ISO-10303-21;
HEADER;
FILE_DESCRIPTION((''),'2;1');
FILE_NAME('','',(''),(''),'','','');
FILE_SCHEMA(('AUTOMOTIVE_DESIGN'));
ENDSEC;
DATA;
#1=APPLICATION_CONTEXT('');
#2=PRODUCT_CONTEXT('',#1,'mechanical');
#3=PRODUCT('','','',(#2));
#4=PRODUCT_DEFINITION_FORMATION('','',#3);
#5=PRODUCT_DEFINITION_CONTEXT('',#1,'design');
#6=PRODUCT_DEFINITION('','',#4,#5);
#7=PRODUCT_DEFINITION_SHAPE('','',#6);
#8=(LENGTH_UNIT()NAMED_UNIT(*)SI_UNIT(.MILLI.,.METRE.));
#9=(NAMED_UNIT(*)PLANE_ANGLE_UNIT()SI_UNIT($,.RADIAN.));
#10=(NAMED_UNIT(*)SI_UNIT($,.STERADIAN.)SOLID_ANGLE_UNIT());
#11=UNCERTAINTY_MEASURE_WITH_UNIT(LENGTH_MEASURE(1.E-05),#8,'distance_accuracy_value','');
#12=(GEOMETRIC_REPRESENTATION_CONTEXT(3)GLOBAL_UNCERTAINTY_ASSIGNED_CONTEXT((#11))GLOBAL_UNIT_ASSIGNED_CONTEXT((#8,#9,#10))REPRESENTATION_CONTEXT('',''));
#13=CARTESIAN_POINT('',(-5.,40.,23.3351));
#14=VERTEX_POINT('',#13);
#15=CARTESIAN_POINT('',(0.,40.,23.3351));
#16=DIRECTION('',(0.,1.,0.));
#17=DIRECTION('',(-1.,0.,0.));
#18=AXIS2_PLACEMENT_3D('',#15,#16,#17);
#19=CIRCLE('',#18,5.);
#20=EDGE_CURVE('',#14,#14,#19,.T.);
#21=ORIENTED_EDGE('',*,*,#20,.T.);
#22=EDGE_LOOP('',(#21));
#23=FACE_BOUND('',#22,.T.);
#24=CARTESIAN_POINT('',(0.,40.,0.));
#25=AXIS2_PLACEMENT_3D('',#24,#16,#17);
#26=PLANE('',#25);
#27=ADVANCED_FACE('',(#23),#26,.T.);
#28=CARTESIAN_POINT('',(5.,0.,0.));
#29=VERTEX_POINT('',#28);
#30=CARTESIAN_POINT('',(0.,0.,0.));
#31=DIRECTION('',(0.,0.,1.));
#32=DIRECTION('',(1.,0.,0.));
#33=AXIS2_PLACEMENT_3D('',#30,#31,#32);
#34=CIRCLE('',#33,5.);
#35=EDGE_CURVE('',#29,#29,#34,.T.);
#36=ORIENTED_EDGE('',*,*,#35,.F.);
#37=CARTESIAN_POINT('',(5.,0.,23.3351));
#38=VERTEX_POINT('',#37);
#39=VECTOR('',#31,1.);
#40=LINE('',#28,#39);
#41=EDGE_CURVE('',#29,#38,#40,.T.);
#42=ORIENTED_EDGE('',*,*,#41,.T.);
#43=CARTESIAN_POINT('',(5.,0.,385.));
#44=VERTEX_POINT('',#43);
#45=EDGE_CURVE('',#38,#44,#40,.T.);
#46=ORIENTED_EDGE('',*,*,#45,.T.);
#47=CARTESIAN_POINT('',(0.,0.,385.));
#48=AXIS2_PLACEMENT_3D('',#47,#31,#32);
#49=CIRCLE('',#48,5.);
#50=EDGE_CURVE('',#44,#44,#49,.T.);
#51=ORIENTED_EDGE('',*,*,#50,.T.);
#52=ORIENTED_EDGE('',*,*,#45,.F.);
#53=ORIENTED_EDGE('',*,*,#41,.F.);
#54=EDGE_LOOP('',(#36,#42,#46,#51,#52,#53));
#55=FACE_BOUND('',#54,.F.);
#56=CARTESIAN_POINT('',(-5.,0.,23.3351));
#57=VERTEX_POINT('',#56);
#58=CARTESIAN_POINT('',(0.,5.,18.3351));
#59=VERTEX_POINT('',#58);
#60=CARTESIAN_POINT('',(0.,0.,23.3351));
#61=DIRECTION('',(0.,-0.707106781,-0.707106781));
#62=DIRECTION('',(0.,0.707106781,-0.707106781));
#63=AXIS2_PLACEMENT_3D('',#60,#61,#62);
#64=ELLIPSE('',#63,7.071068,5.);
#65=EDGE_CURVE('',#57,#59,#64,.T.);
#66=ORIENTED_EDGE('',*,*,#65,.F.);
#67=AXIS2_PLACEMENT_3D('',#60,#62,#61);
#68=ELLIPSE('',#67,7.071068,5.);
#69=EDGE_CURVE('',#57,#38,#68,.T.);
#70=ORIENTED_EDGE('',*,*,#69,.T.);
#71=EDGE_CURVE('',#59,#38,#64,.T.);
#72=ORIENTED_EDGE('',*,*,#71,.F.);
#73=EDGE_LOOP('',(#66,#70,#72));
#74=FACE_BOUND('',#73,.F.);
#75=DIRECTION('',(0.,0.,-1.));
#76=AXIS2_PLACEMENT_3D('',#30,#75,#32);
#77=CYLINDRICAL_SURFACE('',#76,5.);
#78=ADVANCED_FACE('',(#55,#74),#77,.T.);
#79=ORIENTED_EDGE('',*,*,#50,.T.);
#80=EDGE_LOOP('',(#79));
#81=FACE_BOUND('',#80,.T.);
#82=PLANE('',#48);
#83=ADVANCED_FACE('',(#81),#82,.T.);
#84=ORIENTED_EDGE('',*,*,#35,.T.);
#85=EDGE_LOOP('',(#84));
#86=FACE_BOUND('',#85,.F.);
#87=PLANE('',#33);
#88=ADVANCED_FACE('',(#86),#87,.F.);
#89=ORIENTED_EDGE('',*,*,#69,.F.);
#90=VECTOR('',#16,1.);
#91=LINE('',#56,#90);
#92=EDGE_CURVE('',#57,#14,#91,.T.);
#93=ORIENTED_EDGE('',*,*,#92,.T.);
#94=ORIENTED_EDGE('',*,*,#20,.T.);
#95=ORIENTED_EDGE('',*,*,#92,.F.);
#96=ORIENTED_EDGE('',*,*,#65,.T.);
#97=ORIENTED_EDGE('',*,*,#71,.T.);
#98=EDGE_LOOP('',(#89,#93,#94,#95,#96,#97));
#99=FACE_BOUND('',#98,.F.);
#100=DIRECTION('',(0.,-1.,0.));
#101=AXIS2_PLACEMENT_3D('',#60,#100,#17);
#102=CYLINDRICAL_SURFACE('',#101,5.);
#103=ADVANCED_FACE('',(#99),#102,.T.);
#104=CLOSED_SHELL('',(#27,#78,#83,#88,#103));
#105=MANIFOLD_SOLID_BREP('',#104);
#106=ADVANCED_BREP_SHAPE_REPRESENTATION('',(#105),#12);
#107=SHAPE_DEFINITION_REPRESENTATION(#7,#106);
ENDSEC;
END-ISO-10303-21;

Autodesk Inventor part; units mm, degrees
ref_plane "YZ Plane" through (0, 0, 0) normal (1, 0, 0) x (0, 1, 0)
ref_plane "XZ Plane" through (0, 0, 0) normal (0, 1, 0) x (-1, 0, 0)
ref_plane "XY Plane" through (0, 0, 0) normal (0, 0, 1) x (1, 0, 0)
sketch "Sketch1" plane through (0, 0, 0) normal (0, 0, 1) x (1, 0, 0)
  circle A0 centre (0, 0) radius 5
  dimension "d0" = 10
extrude "Extrusion1" add sketch "Sketch1" along normal blind 385
sketch "Sketch2" plane through (0, 0, 0) normal (0, 1, 0) x (-1, 0, 0)
  circle A0 centre (0, 23.3351) radius 5
  line L0 (5, 0) -> (5, 385) projected
  point P0 (0, 0)
extrude "Extrusion2" add sketch "Sketch2" along normal blind 40
